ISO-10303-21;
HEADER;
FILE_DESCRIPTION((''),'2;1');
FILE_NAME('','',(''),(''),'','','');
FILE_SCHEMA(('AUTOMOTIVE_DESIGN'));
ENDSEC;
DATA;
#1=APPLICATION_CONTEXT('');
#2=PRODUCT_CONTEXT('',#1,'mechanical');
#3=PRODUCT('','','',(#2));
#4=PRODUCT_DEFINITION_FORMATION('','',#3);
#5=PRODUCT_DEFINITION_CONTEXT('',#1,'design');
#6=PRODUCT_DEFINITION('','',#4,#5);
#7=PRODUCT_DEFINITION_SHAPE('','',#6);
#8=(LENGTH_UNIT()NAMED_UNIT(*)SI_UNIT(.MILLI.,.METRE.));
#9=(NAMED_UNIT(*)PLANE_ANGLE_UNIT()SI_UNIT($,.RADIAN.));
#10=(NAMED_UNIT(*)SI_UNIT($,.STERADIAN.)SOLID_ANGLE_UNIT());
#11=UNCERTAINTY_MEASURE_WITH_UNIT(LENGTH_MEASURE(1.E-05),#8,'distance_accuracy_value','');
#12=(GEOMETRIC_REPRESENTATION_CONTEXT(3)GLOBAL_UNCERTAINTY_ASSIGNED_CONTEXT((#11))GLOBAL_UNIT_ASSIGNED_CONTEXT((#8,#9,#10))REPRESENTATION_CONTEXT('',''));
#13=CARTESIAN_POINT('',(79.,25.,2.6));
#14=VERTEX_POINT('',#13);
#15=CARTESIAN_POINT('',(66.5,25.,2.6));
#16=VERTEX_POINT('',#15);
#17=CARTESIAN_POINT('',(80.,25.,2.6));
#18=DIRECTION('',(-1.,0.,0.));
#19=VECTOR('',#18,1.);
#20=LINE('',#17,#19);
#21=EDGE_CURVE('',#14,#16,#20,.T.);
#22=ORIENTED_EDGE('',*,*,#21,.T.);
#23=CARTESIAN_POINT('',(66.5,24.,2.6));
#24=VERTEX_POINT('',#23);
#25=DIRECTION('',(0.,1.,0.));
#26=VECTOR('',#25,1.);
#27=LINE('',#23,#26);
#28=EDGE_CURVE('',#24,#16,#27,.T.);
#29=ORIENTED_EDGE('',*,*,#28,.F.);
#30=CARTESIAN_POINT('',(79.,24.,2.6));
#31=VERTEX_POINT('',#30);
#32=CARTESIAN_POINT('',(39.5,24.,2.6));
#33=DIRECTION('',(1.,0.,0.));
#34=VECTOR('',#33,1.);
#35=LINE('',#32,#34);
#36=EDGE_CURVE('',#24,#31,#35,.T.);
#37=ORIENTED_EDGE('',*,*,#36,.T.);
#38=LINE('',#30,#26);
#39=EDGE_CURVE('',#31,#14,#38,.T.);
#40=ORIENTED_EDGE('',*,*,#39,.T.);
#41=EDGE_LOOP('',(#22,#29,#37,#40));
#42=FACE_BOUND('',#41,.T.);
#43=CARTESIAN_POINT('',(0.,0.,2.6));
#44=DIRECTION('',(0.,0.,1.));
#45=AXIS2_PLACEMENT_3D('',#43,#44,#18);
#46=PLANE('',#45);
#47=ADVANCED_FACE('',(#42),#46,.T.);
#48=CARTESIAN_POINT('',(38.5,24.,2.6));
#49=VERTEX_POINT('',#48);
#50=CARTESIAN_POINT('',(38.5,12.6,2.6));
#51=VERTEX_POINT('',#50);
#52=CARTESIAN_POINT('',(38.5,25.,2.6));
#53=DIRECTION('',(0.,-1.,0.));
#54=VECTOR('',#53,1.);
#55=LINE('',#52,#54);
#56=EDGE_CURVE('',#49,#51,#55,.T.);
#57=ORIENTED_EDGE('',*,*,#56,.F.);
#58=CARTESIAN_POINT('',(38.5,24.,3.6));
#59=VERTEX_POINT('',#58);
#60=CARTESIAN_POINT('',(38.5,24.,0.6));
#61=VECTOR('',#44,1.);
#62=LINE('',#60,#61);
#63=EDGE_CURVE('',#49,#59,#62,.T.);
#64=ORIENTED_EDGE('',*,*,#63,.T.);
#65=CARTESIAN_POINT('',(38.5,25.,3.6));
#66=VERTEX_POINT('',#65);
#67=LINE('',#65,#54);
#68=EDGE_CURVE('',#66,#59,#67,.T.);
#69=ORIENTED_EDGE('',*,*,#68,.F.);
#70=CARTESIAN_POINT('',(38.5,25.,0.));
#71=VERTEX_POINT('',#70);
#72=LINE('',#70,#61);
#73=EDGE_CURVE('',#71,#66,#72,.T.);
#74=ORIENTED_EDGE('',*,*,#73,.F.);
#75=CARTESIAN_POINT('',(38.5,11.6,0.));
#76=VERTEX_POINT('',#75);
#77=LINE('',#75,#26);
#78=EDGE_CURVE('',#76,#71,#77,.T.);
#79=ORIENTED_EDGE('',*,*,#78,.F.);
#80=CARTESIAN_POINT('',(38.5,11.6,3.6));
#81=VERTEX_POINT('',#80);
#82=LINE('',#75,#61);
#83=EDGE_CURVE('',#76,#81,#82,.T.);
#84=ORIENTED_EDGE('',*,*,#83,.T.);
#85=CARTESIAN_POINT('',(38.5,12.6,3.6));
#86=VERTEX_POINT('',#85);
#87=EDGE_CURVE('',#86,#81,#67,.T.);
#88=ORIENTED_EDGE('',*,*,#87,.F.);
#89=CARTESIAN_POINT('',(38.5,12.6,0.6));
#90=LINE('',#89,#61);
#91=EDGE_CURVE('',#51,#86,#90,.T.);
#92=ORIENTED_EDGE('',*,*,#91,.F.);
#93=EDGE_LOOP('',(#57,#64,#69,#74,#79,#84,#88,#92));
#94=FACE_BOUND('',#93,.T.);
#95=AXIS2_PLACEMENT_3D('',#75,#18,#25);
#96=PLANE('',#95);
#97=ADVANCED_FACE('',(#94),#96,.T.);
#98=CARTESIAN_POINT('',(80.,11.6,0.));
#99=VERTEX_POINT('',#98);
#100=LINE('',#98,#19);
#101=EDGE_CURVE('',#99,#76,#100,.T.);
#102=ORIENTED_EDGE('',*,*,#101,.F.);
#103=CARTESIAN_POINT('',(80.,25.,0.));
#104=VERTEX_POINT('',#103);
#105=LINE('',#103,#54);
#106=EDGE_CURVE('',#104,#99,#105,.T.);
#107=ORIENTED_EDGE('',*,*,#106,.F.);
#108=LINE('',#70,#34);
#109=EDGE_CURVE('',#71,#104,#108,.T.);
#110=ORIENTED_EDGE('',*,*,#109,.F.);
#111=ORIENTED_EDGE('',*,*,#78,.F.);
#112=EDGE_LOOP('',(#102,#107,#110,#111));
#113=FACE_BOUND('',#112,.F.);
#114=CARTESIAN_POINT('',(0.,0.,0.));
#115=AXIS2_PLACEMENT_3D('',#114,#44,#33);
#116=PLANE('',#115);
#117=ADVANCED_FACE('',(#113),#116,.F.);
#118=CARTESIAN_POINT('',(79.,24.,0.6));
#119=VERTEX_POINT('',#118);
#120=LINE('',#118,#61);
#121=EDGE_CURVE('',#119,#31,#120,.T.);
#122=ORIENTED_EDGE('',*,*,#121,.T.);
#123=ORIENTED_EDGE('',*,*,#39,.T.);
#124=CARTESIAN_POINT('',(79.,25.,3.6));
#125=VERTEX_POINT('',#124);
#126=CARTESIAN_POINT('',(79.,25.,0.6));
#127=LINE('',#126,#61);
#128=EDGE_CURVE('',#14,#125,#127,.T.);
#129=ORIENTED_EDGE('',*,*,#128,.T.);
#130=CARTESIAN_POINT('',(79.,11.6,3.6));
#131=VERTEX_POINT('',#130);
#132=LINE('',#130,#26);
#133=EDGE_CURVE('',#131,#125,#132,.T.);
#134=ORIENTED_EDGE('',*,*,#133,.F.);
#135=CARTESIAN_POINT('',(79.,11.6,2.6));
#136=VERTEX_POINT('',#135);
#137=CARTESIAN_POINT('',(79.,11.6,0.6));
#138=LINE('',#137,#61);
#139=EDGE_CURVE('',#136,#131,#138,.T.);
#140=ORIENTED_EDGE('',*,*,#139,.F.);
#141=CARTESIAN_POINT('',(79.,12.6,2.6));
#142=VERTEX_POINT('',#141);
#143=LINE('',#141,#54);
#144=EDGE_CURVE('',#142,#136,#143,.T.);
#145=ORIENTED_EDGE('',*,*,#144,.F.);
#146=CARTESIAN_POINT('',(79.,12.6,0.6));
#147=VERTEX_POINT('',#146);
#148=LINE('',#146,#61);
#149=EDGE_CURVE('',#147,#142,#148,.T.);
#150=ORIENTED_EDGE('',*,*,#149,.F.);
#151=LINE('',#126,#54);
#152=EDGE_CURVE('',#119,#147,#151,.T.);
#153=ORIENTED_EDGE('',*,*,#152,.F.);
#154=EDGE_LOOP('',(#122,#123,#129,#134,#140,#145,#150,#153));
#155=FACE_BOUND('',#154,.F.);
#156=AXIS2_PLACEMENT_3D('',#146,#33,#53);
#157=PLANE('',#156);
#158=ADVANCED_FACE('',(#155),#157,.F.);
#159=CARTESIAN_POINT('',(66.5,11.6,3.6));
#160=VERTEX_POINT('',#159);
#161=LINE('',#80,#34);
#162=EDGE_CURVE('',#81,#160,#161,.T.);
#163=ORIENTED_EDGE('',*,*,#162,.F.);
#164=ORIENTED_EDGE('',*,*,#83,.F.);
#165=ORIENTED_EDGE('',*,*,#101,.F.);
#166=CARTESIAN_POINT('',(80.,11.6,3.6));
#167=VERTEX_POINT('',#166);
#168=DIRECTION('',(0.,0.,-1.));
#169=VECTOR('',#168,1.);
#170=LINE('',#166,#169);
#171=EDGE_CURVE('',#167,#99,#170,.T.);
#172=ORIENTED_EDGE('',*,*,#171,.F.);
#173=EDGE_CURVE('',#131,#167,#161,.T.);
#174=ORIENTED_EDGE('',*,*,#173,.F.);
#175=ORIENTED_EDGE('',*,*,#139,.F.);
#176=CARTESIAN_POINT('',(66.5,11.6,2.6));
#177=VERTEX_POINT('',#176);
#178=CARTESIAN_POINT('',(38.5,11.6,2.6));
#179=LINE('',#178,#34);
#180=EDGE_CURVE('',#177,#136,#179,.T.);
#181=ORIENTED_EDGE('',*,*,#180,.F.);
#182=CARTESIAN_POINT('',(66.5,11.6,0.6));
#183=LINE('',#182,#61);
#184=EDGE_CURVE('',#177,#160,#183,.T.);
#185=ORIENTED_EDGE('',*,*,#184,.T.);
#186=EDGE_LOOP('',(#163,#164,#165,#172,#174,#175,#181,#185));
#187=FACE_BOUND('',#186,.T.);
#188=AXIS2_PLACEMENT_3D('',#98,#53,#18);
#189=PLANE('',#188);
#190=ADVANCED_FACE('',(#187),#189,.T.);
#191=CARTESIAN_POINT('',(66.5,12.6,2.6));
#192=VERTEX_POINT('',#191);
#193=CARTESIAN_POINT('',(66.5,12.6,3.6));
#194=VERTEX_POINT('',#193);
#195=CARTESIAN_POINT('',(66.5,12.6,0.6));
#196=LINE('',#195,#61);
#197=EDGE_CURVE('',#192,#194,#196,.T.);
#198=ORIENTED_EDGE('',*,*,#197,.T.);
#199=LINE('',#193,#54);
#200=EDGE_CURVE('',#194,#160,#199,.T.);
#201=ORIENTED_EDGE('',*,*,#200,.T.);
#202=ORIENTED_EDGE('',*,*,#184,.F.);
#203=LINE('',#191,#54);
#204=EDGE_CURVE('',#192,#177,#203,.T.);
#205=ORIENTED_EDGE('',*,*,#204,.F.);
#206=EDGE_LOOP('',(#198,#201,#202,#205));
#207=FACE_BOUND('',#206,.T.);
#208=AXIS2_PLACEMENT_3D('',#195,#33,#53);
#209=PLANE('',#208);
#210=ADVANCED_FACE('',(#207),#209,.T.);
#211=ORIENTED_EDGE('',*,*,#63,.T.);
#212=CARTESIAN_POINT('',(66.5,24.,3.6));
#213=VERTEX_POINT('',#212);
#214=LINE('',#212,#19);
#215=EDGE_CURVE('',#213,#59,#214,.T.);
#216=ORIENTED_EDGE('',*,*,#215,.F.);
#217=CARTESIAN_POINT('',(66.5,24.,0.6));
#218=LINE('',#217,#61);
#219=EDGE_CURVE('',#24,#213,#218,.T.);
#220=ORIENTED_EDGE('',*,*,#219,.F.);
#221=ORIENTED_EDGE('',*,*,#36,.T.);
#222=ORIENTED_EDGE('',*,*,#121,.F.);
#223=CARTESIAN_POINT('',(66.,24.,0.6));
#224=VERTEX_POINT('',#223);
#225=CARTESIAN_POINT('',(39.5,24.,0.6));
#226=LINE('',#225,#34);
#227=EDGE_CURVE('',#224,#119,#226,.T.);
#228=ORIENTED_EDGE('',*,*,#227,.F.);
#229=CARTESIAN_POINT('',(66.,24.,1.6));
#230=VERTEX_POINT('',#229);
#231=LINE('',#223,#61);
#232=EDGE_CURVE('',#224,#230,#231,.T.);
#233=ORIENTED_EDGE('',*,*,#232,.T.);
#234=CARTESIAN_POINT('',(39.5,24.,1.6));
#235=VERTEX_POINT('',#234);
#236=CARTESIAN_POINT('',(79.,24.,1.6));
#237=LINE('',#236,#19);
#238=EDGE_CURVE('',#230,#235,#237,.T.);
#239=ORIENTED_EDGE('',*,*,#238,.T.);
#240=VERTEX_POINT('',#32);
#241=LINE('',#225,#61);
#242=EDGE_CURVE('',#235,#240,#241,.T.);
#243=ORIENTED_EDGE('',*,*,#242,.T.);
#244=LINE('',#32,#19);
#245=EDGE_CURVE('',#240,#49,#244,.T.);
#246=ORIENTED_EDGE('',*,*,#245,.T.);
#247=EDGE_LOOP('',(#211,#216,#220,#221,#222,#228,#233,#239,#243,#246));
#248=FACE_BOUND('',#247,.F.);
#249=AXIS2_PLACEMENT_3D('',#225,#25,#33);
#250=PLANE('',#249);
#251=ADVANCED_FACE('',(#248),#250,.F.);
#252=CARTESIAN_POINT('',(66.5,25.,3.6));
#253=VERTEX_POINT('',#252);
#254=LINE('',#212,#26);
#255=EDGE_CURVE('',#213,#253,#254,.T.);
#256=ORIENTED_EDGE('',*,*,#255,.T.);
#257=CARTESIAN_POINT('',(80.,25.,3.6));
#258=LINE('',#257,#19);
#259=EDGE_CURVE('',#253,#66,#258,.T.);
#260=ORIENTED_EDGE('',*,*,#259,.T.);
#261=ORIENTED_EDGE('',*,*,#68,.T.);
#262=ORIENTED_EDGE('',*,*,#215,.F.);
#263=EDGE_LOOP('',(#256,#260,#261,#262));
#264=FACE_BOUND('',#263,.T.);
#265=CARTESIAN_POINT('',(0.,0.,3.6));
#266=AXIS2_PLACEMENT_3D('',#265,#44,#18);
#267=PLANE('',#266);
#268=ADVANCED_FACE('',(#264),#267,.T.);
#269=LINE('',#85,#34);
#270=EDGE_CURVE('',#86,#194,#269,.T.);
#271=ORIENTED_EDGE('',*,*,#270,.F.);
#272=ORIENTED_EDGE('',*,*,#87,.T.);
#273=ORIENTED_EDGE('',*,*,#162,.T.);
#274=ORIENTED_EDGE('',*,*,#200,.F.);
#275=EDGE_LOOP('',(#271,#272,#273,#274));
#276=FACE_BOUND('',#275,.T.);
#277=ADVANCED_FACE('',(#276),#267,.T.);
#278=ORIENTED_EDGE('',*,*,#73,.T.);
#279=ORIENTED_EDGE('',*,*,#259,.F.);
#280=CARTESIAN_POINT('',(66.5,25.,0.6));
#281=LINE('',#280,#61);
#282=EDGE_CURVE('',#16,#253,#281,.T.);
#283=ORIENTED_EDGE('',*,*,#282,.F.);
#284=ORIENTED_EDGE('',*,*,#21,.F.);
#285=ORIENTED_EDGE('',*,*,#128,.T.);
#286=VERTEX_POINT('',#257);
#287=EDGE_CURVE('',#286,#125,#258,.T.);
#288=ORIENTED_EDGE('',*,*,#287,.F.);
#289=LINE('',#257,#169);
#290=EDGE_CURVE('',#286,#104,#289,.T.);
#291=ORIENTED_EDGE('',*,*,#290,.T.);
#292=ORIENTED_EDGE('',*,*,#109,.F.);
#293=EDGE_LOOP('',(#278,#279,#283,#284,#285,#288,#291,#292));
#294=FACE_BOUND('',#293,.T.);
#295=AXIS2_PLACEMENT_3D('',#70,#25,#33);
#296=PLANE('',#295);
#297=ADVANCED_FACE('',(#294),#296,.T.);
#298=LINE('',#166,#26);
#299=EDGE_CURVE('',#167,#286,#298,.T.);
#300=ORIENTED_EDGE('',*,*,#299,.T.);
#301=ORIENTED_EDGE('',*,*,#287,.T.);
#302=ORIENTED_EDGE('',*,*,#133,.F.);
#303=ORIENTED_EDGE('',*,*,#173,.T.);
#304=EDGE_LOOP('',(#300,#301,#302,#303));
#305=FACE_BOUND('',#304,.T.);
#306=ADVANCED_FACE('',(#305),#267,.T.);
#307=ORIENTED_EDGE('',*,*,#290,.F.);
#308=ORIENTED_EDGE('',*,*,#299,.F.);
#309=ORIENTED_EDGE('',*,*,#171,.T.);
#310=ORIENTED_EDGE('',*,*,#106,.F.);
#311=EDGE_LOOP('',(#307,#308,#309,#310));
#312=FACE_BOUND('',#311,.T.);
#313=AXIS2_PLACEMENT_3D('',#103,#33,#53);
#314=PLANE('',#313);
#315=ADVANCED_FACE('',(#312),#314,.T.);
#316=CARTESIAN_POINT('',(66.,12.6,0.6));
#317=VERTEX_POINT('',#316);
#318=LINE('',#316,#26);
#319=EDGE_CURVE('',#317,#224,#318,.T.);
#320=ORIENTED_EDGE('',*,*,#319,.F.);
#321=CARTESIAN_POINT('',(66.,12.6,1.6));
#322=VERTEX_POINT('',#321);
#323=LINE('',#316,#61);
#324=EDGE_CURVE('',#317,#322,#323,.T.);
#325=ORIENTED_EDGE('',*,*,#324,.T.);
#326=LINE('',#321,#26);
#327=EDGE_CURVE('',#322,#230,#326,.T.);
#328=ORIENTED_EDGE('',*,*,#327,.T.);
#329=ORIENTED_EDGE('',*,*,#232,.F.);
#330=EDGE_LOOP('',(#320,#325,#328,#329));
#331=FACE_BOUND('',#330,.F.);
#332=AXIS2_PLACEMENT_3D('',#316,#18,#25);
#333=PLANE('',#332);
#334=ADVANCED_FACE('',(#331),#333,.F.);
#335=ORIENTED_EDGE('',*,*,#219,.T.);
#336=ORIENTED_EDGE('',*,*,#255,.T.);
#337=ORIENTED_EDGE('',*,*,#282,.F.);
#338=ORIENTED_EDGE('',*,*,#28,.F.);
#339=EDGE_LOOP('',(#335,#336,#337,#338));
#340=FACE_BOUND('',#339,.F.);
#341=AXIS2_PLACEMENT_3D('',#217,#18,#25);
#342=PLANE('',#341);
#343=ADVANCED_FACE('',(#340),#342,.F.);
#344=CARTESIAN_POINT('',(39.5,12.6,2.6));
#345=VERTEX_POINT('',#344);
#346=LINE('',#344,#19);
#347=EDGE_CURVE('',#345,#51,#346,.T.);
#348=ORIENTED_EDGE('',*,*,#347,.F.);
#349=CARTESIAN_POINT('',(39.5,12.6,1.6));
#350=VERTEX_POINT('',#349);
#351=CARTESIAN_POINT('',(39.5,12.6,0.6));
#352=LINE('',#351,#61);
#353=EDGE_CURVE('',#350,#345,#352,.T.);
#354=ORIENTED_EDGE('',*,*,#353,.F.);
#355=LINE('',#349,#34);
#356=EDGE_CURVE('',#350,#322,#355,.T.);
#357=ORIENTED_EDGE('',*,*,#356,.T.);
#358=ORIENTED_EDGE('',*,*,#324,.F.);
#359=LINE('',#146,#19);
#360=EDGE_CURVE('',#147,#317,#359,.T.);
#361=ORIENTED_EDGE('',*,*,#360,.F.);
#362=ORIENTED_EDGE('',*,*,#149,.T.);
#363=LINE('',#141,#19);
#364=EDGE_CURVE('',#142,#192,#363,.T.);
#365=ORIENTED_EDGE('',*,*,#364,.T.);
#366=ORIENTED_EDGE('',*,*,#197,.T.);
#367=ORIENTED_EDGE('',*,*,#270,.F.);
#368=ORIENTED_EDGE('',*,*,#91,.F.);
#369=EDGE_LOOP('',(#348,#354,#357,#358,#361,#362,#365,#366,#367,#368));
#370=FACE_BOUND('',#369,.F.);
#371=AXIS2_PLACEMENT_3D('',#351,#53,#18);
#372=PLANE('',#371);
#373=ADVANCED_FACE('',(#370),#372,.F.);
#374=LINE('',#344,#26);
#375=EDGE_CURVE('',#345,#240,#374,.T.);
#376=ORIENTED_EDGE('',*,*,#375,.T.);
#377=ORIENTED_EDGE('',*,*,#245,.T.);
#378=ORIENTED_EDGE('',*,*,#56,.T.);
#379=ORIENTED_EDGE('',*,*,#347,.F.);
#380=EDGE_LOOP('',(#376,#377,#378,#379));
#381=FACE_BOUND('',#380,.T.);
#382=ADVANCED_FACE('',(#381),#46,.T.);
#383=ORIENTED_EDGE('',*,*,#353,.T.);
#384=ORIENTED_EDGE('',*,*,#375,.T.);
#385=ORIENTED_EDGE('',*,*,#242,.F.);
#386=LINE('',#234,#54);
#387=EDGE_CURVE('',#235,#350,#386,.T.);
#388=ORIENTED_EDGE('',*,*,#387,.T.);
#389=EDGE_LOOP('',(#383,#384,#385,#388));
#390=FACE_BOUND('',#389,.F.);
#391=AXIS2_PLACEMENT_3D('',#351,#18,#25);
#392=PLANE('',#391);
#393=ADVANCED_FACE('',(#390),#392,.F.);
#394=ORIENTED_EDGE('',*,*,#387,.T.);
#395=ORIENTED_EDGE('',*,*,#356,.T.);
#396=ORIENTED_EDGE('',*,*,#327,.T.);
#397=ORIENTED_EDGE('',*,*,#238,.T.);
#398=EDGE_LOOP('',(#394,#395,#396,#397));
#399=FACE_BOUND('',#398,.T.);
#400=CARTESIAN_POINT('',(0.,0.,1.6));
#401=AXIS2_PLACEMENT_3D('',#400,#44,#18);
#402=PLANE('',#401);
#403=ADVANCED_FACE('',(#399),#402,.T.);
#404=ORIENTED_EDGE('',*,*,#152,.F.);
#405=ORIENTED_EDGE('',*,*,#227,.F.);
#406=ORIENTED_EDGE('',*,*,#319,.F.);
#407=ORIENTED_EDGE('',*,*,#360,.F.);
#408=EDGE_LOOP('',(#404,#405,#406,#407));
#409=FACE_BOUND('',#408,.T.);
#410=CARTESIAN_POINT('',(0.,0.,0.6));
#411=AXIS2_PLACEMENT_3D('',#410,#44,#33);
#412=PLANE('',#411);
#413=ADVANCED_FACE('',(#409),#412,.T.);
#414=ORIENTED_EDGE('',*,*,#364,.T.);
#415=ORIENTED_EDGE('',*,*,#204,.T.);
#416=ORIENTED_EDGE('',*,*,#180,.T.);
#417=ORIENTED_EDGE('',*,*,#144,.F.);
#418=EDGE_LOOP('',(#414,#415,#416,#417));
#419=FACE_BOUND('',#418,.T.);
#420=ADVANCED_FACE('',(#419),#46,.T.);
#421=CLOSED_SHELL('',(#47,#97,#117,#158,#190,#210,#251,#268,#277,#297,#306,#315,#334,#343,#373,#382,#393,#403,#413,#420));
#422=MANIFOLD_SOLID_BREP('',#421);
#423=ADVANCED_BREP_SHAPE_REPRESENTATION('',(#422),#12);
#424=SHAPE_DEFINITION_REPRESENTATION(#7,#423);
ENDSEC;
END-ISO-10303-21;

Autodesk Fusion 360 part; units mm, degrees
sketch "Sketch1" plane through (0, 0, 0) normal (0, 0, 1) x (1, 0, 0)
  line L0 (38.5, 25) -> (80, 25)
  line L1 (80, 25) -> (80, 11.6)
  line L2 (80, 11.6) -> (38.5, 11.6)
  line L3 (38.5, 11.6) -> (38.5, 25)
  dimension "d1" = 41.5
  dimension "d2" = 13.4
extrude "Extrude1" add sketch "Sketch1" along normal blind 0.6
sketch "Sketch2" plane through (0, 0, 0.6) normal (0, 0, 1) x (-1, 0, 0)
  line L0 (-38.5, -11.6) -> (-80, -11.6)
  line L1 (-80, -11.6) -> (-80, -25)
  line L2 (-80, -25) -> (-38.5, -25)
  line L3 (-38.5, -25) -> (-38.5, -11.6)
  line L4 (-39.5, -24) -> (-79, -24)
  line L5 (-79, -12.6) -> (-39.5, -12.6)
  line L6 (-39.5, -12.6) -> (-39.5, -24)
  line L7 (-80, -18.3) -> (-38.5, -18.3) construction
  line L8 (-66.5, -24) -> (-66.5, -25)
  line L9 (-79, -24) -> (-79, -12.6)
  line L10 (-59.25, -25) -> (-59.25, -11.6) construction
  line L11 (-66.5, -12.6) -> (-66.5, -11.6)
  line L12 (-39.5, -24) -> (-38.5, -24)
  line L13 (-39.5, -12.6) -> (-38.5, -12.6)
  line L14 (-79, -12.6) -> (-79, -11.6)
  line L15 (-79, -24) -> (-79, -25)
  dimension "d5" = 1
  dimension "d6" = 1
  dimension "d12" = 27
extrude "Extrude14" add sketch "Sketch2" along normal blind 3 contours L0 L3 L5 L11 L13 | L0 L1 L2 L9 L14 L15 | L2 L3 L4 L8 L12
extrude "Extrude9" add sketch "Sketch2" along normal blind 2 contours L0 L5 L11 L14 | L3 L6 L12 L13 | L2 L4 L8 L15
sketch "Sketch7" plane through (0, 0, 0.6) normal (0, 0, 1) x (-1, 0, 0)
  line L0 (-39.5, -12.6) -> (-79, -12.6)
  line L1 (-79, -12.6) -> (-79, -24)
  line L2 (-79, -24) -> (-39.5, -24)
  line L3 (-66, -24) -> (-39.5, -24)
  line L4 (-39.5, -24) -> (-39.5, -12.6)
  line L5 (-39.5, -12.6) -> (-66, -12.6)
  line L6 (-66, -12.6) -> (-66, -24)
  line L7 (-39.5, -24) -> (-39.5, -12.6)
extrude "Extrude17" add sketch "Sketch7" along normal blind 1 contours L0 L2 L3 L4 L5 L6 L7
